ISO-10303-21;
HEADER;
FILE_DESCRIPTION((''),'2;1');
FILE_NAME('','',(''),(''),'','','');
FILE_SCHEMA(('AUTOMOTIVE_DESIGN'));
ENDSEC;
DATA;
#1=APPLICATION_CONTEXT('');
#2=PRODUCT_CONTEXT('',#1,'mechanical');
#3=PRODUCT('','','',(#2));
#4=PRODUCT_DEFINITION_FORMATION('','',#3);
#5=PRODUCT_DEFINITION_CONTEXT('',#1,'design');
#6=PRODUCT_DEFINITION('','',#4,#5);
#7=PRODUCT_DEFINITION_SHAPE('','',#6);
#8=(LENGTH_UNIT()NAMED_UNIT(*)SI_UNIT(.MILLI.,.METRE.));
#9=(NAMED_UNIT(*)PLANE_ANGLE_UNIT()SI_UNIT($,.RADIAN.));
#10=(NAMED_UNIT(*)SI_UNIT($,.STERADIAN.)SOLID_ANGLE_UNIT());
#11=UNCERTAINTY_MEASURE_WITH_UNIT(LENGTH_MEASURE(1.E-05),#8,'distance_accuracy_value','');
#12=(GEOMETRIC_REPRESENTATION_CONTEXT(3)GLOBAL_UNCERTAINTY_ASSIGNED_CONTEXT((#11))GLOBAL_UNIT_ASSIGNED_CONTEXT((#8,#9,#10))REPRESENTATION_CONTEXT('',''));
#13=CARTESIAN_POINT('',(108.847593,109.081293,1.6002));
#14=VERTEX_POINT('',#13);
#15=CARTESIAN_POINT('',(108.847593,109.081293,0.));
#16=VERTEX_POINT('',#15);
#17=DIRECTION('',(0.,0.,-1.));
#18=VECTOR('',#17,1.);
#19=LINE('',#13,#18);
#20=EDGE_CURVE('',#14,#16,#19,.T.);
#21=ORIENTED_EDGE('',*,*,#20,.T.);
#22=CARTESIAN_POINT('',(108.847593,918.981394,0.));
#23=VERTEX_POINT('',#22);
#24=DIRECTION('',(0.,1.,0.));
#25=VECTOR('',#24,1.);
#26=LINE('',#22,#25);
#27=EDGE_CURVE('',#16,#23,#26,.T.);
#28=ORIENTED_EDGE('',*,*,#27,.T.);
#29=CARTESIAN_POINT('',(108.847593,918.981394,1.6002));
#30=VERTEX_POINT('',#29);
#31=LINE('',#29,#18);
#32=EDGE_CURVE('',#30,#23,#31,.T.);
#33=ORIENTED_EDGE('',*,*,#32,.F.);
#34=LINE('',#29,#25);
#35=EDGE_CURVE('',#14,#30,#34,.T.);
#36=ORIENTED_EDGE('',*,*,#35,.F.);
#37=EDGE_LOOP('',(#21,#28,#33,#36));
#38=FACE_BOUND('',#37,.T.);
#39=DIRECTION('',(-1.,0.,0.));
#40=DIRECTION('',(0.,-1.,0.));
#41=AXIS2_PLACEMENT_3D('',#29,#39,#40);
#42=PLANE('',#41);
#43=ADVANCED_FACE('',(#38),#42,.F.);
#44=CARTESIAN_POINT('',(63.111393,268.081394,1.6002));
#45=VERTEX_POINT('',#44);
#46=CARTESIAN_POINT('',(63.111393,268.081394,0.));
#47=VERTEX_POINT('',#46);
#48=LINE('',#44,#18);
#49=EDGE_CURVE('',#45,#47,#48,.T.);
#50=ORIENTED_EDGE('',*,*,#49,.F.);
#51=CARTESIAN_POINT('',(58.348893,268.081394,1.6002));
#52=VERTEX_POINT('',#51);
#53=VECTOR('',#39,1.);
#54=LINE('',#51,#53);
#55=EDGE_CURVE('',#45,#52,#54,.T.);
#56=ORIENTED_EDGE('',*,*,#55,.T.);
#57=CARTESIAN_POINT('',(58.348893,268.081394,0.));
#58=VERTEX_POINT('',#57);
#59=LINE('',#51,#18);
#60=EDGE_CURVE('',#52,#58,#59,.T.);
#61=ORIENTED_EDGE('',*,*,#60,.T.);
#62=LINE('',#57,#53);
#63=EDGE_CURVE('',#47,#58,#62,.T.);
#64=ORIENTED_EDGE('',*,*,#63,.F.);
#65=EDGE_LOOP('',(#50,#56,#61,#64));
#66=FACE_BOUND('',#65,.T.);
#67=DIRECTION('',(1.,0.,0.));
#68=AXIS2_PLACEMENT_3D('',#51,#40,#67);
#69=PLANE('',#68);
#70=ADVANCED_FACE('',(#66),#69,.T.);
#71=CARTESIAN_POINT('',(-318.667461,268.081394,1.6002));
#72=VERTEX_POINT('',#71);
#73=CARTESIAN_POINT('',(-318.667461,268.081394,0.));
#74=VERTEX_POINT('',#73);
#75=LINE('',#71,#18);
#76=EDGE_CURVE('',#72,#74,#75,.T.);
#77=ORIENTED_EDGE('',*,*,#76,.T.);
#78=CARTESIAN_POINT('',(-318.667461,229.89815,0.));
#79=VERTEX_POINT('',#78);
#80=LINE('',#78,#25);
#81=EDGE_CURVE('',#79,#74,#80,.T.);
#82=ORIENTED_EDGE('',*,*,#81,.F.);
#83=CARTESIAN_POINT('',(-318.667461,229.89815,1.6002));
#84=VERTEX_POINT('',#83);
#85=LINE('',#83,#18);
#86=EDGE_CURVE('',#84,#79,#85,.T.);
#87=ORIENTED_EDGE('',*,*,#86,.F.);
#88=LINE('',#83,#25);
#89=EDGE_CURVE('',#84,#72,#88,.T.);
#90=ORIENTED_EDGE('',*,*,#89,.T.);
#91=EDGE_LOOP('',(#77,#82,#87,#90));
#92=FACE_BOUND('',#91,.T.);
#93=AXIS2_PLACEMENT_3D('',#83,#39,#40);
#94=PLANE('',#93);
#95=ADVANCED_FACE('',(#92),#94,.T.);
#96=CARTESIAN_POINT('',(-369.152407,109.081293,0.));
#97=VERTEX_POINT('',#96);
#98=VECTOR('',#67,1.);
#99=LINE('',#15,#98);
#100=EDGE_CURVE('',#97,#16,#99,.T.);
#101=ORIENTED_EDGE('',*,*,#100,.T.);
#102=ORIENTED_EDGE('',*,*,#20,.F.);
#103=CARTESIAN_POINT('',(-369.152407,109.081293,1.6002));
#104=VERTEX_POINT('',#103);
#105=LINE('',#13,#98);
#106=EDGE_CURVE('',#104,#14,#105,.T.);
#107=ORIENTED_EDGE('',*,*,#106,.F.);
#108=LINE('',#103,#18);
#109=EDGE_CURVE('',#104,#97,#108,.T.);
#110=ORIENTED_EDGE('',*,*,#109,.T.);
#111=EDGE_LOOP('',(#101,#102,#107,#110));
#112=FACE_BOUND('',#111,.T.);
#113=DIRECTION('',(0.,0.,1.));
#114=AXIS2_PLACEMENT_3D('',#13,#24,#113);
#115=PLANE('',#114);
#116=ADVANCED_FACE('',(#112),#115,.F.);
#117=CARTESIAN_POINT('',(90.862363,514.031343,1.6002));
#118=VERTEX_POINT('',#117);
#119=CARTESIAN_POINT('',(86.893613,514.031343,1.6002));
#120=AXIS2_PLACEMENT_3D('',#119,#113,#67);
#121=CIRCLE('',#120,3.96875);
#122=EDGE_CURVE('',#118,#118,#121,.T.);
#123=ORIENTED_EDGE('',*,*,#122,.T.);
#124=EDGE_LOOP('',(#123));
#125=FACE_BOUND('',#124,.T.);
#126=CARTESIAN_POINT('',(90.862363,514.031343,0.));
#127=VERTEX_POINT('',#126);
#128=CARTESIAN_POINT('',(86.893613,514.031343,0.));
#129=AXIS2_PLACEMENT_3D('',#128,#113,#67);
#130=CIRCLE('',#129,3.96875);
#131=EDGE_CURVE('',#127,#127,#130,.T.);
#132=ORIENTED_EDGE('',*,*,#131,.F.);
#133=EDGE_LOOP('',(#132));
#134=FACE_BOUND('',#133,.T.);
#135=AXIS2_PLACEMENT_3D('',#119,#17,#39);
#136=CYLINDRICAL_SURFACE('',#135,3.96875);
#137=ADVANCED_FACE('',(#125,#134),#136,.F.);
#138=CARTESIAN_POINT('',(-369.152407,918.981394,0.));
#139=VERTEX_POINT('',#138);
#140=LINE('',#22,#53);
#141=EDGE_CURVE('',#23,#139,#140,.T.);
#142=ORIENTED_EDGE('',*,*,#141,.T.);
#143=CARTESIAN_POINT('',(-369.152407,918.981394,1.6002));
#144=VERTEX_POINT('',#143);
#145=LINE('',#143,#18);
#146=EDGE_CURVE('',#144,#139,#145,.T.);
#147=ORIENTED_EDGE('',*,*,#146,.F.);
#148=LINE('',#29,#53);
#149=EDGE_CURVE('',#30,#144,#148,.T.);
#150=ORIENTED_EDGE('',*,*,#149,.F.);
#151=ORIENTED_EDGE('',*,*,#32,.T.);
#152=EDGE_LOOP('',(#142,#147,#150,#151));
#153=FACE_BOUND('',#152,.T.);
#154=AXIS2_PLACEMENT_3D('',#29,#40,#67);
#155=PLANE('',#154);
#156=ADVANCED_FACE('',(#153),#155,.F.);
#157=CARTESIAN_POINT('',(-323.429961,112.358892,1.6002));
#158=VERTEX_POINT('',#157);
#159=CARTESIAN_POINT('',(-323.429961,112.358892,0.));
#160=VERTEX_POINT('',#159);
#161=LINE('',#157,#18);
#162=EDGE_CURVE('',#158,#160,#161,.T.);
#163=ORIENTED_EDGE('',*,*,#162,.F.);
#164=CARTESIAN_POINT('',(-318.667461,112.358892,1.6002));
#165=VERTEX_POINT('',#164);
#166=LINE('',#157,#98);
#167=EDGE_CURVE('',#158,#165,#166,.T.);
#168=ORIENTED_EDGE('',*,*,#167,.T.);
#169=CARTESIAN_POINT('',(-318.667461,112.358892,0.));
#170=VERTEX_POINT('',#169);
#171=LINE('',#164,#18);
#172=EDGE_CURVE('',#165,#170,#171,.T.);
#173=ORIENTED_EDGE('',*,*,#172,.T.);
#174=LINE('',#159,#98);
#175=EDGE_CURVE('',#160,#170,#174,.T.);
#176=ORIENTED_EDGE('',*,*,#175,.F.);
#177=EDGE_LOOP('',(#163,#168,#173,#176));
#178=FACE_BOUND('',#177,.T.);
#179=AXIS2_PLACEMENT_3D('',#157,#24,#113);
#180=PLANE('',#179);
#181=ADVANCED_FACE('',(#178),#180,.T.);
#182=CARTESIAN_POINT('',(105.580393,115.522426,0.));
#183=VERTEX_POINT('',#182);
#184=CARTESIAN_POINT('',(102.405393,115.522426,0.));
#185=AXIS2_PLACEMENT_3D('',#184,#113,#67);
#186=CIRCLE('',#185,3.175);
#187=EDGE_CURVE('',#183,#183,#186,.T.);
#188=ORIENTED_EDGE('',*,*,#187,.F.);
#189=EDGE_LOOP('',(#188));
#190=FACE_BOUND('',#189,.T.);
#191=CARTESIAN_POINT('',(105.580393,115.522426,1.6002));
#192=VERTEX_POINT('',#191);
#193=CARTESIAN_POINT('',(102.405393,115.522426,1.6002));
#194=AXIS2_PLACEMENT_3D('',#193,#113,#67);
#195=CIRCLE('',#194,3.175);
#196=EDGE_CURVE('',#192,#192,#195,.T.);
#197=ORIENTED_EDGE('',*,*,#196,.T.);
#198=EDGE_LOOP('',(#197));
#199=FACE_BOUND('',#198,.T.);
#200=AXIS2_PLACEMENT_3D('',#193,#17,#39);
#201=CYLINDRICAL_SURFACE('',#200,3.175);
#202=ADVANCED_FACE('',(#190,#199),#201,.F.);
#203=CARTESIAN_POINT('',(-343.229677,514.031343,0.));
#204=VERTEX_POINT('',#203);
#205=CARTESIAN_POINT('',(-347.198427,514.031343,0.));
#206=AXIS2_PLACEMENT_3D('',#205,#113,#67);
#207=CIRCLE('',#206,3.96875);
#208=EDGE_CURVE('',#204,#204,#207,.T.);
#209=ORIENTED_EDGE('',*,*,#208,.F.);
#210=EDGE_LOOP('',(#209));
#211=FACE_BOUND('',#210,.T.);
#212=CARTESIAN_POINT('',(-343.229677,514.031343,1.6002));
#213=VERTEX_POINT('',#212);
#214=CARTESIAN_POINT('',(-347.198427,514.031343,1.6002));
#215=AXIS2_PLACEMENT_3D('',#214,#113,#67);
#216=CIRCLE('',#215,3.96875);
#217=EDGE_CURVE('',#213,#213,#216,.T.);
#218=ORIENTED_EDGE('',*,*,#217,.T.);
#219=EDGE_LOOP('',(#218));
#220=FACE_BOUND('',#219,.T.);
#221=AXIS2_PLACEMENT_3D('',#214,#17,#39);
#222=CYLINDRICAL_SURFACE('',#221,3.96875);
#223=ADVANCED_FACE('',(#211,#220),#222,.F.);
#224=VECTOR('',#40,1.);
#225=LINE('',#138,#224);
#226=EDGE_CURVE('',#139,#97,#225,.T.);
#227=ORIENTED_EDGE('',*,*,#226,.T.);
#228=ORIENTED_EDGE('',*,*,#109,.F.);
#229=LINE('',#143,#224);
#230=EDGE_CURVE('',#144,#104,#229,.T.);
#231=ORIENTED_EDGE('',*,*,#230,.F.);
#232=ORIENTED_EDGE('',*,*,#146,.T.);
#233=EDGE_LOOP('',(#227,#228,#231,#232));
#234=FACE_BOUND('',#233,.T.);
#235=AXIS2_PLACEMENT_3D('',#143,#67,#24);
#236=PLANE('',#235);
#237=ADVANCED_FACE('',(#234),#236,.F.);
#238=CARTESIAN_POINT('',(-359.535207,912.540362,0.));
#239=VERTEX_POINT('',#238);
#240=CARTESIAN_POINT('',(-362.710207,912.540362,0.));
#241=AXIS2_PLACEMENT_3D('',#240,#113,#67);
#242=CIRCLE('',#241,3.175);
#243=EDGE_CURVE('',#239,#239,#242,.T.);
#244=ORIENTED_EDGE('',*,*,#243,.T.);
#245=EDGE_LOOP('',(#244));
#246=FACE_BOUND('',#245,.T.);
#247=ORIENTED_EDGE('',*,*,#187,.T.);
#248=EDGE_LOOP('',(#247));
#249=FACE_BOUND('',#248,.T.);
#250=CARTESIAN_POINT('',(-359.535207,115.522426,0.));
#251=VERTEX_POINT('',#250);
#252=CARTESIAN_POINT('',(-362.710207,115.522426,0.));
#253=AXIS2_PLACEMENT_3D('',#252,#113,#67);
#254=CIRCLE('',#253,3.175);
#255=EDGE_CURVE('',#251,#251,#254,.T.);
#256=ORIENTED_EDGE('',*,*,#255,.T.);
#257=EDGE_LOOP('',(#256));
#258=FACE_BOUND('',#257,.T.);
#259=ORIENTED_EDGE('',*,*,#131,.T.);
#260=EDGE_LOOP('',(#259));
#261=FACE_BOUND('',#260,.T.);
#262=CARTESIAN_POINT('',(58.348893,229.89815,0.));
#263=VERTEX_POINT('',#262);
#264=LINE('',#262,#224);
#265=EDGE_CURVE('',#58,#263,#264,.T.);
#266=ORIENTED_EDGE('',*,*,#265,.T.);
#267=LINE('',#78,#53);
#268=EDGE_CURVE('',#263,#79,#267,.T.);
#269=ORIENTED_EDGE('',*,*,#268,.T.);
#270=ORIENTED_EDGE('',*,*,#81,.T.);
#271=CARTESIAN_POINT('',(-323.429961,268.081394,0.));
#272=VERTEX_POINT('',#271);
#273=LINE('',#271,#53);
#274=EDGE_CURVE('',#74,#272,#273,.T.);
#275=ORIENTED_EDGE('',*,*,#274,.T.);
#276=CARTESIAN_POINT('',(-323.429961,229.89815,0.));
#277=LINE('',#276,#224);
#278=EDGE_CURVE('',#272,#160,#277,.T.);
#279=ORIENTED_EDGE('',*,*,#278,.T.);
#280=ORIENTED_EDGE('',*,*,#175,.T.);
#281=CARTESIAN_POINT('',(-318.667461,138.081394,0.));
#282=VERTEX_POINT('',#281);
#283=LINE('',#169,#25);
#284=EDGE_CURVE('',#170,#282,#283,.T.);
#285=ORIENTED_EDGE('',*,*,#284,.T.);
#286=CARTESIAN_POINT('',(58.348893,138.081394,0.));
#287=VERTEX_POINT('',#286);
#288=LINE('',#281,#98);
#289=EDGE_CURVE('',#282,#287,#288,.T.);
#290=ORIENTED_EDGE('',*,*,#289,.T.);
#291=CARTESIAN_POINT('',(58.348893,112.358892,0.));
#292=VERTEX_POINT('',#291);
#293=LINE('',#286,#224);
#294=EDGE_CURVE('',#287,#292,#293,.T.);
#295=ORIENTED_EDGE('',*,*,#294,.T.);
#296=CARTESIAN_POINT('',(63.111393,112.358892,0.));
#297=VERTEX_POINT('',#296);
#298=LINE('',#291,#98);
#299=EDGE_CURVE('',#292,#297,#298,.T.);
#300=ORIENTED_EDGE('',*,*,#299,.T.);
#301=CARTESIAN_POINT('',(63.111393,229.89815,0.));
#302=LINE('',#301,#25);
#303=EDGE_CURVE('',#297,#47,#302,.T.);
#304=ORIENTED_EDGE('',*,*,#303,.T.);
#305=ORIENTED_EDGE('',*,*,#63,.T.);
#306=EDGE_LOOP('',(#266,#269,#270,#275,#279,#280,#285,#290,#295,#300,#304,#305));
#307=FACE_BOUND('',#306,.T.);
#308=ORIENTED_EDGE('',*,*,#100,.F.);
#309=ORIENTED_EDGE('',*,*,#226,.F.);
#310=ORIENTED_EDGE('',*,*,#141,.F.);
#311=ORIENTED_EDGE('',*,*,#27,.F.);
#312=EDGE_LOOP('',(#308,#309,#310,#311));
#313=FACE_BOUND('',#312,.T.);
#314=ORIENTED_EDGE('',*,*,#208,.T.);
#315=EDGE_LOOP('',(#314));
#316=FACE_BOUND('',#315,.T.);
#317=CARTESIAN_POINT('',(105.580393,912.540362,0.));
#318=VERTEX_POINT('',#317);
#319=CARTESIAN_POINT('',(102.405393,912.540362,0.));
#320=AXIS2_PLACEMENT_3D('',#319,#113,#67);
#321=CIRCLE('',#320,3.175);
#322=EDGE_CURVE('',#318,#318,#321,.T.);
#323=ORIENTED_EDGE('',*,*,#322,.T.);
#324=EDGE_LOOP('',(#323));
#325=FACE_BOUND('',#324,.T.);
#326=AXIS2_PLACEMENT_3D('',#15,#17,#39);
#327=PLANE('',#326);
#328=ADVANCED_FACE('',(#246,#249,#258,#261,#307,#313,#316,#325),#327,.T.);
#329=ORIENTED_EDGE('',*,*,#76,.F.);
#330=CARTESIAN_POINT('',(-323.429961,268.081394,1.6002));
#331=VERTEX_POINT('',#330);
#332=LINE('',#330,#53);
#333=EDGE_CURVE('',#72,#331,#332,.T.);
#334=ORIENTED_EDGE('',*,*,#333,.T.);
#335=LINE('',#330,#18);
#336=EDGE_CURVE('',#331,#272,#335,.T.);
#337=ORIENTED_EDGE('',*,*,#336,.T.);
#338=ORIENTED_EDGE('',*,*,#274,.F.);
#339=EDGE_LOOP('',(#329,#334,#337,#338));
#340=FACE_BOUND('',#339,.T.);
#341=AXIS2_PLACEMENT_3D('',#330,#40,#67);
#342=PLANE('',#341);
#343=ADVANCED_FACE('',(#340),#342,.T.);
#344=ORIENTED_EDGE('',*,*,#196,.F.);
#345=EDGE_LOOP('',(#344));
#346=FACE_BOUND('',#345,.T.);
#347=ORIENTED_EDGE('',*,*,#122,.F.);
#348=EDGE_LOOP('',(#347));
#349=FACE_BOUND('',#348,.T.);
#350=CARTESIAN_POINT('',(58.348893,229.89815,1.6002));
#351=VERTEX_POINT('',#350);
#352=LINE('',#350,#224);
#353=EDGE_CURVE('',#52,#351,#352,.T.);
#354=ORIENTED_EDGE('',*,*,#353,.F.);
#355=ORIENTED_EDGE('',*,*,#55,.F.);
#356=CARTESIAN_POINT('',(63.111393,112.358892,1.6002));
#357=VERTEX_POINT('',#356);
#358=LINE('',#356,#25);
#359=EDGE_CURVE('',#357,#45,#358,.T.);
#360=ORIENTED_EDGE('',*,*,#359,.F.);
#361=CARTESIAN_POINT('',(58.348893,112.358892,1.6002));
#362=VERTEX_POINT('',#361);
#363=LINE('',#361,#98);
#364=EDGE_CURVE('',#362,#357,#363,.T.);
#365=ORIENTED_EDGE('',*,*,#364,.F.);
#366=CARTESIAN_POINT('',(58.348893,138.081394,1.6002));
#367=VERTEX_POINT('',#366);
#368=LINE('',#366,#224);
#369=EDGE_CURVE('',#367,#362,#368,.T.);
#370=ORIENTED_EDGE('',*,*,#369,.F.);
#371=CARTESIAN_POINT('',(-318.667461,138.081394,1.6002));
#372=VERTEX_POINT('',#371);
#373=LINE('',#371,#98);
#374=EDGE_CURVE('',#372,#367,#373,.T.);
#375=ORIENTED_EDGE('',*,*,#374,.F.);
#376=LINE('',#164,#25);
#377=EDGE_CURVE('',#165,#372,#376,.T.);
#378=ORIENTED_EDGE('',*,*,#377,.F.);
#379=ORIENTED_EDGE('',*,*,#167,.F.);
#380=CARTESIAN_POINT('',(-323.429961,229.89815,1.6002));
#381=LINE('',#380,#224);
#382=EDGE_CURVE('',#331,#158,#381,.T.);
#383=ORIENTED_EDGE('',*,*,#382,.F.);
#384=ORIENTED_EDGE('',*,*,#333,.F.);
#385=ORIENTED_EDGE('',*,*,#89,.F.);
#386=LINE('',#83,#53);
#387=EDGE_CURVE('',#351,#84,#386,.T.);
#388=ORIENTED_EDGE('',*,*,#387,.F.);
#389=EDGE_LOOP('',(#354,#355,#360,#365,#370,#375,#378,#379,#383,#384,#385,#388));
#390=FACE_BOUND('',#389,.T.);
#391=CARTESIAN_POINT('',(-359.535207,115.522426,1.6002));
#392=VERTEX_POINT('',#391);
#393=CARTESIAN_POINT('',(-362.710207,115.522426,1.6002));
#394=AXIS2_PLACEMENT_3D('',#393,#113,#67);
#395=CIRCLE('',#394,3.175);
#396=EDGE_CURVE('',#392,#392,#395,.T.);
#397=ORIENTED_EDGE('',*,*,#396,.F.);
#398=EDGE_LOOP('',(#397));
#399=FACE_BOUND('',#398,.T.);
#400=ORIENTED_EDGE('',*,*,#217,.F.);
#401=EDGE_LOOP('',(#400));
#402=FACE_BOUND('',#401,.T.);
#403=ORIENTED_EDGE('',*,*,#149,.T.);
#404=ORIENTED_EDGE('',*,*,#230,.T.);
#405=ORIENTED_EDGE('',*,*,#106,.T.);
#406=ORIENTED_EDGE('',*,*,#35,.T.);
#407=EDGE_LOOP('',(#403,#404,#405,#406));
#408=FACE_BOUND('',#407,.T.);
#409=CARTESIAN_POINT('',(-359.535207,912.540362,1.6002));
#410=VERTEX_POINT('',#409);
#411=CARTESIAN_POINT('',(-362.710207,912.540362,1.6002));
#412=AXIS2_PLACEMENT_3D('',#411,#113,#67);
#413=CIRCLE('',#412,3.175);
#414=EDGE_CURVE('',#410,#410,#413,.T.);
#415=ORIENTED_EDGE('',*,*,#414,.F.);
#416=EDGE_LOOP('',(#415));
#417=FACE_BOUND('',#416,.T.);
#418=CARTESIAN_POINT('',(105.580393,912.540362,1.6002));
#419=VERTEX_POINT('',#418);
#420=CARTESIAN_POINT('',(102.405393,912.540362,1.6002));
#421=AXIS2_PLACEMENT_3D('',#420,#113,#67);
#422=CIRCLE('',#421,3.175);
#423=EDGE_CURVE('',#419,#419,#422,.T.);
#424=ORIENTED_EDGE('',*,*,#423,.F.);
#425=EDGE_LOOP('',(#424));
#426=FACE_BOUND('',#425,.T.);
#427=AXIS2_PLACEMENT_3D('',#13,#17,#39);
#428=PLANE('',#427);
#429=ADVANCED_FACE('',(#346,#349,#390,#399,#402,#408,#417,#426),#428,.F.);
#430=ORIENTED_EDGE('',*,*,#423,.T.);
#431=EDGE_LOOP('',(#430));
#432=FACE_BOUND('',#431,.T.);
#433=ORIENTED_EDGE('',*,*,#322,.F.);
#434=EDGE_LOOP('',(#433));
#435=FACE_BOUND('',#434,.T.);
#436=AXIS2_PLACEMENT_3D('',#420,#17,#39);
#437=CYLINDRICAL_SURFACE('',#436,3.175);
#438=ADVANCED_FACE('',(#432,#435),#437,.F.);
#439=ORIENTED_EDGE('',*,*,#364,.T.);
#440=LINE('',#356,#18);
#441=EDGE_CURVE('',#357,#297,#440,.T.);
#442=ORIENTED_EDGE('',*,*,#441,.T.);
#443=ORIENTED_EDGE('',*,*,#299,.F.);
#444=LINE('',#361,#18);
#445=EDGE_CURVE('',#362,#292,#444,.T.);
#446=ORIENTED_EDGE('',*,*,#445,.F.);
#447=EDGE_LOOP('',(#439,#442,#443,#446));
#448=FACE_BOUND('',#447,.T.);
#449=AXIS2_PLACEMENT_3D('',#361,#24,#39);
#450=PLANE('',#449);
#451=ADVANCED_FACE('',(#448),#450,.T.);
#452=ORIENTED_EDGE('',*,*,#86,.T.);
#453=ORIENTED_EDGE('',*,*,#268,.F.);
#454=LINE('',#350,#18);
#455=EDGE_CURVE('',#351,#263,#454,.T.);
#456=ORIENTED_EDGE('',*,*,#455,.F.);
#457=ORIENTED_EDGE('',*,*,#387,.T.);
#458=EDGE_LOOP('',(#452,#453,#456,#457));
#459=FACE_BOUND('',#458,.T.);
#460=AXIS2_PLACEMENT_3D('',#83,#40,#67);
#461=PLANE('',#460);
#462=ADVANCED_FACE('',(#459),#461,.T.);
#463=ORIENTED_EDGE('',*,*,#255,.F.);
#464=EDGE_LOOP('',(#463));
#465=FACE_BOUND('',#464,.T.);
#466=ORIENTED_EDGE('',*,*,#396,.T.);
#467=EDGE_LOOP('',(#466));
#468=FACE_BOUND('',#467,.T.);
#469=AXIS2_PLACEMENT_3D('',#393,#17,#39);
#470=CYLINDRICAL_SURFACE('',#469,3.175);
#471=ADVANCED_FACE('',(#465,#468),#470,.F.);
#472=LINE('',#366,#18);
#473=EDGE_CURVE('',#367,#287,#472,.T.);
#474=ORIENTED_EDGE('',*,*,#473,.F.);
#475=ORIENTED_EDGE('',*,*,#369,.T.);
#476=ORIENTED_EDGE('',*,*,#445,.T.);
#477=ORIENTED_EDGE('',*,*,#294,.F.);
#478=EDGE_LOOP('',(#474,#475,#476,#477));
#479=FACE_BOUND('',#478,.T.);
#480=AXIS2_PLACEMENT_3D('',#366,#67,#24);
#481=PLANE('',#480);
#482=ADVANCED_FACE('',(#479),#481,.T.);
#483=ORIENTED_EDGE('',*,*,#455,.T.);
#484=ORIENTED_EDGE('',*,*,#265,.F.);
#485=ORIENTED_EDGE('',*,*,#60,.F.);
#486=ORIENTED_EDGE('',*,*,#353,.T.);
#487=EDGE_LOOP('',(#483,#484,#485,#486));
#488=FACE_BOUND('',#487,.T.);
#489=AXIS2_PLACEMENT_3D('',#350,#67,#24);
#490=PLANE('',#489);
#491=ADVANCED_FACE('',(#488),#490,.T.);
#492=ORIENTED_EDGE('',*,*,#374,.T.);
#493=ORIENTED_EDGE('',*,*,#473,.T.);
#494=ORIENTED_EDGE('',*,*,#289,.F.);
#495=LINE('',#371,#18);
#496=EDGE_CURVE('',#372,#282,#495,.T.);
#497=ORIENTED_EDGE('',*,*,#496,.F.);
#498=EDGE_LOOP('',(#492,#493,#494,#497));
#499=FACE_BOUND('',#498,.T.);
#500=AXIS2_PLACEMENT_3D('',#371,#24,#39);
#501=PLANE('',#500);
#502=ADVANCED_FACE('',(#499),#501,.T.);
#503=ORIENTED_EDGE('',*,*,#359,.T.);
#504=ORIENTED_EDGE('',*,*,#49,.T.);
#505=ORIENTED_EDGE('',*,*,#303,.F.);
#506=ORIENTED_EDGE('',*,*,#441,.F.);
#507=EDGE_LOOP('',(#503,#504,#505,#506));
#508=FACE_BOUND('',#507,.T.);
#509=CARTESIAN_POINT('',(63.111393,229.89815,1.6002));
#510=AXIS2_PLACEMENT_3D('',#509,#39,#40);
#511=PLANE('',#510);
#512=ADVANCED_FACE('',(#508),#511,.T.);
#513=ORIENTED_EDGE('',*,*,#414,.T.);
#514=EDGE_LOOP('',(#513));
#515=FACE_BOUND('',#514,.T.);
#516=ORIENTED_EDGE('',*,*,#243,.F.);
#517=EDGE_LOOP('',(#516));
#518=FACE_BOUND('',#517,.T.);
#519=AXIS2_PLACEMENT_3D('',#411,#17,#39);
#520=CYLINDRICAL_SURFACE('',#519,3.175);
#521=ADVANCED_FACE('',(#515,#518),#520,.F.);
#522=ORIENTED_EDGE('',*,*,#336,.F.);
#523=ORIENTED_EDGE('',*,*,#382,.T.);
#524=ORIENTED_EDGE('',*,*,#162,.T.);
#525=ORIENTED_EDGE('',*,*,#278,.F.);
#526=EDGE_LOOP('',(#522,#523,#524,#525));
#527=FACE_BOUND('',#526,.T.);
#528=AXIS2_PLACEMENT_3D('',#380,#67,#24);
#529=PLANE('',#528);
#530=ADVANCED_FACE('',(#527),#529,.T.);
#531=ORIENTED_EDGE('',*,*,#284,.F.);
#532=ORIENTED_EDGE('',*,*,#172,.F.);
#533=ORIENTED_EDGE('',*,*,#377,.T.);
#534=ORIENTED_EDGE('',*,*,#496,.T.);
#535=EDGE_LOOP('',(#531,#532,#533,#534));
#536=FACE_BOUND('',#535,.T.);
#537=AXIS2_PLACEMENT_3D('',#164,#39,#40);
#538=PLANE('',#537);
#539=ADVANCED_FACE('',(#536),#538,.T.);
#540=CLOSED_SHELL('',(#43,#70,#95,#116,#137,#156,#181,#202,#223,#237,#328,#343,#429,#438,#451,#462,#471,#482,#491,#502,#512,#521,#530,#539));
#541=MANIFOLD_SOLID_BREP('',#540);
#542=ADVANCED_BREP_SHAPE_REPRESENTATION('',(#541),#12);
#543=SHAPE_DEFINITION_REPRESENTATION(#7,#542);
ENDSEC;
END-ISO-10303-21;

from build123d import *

# Parameters (mm, degrees)
SKETCH2_W           = 478
SKETCH2_H           = 809.900101531
SKETCH2_R           = 3.175
SKETCH2_R_2         = 3.96875
BOSS_EXTRUDE1_DEPTH = 1.6002


with BuildPart() as part:
    # Sketch2 → Boss-Extrude1 (new body)
    with BuildSketch(Plane.XY):
        with Locations((-130.152406859, 514.031343345)):
            Rectangle(SKETCH2_W, SKETCH2_H)
        with Locations((-362.710206859, 115.522426029)):
            Circle(SKETCH2_R, mode=Mode.SUBTRACT)
        with Locations((102.405393141, 912.54036211)):
            Circle(SKETCH2_R, mode=Mode.SUBTRACT)
        with Locations((-362.710206859, 912.54036211)):
            Circle(SKETCH2_R, mode=Mode.SUBTRACT)
        with Locations((102.405393141, 115.522426029)):
            Circle(SKETCH2_R, mode=Mode.SUBTRACT)
        with Locations((86.893613141, 514.031343345)):
            Circle(SKETCH2_R_2, mode=Mode.SUBTRACT)
        with Locations((-347.198426859, 514.031343345)):
            Circle(SKETCH2_R_2, mode=Mode.SUBTRACT)
        Polygon((63.111393141, 112.35889233), (63.111393141, 229.898149855), (63.111393141, 268.081394028), (58.348893141, 268.081394028), (58.348893141, 229.898149855), (-318.667460794, 229.898149855), (-318.667460794, 268.081394028), (-323.429960794, 268.081394028), (-323.429960794, 229.898149855), (-323.429960794, 112.35889233), (-318.667460794, 112.35889233), (-318.667460794, 138.081394028), (58.348893141, 138.081394028), (58.348893141, 112.35889233), align=None, mode=Mode.SUBTRACT)
    extrude(amount=BOSS_EXTRUDE1_DEPTH)


solid = part.part
